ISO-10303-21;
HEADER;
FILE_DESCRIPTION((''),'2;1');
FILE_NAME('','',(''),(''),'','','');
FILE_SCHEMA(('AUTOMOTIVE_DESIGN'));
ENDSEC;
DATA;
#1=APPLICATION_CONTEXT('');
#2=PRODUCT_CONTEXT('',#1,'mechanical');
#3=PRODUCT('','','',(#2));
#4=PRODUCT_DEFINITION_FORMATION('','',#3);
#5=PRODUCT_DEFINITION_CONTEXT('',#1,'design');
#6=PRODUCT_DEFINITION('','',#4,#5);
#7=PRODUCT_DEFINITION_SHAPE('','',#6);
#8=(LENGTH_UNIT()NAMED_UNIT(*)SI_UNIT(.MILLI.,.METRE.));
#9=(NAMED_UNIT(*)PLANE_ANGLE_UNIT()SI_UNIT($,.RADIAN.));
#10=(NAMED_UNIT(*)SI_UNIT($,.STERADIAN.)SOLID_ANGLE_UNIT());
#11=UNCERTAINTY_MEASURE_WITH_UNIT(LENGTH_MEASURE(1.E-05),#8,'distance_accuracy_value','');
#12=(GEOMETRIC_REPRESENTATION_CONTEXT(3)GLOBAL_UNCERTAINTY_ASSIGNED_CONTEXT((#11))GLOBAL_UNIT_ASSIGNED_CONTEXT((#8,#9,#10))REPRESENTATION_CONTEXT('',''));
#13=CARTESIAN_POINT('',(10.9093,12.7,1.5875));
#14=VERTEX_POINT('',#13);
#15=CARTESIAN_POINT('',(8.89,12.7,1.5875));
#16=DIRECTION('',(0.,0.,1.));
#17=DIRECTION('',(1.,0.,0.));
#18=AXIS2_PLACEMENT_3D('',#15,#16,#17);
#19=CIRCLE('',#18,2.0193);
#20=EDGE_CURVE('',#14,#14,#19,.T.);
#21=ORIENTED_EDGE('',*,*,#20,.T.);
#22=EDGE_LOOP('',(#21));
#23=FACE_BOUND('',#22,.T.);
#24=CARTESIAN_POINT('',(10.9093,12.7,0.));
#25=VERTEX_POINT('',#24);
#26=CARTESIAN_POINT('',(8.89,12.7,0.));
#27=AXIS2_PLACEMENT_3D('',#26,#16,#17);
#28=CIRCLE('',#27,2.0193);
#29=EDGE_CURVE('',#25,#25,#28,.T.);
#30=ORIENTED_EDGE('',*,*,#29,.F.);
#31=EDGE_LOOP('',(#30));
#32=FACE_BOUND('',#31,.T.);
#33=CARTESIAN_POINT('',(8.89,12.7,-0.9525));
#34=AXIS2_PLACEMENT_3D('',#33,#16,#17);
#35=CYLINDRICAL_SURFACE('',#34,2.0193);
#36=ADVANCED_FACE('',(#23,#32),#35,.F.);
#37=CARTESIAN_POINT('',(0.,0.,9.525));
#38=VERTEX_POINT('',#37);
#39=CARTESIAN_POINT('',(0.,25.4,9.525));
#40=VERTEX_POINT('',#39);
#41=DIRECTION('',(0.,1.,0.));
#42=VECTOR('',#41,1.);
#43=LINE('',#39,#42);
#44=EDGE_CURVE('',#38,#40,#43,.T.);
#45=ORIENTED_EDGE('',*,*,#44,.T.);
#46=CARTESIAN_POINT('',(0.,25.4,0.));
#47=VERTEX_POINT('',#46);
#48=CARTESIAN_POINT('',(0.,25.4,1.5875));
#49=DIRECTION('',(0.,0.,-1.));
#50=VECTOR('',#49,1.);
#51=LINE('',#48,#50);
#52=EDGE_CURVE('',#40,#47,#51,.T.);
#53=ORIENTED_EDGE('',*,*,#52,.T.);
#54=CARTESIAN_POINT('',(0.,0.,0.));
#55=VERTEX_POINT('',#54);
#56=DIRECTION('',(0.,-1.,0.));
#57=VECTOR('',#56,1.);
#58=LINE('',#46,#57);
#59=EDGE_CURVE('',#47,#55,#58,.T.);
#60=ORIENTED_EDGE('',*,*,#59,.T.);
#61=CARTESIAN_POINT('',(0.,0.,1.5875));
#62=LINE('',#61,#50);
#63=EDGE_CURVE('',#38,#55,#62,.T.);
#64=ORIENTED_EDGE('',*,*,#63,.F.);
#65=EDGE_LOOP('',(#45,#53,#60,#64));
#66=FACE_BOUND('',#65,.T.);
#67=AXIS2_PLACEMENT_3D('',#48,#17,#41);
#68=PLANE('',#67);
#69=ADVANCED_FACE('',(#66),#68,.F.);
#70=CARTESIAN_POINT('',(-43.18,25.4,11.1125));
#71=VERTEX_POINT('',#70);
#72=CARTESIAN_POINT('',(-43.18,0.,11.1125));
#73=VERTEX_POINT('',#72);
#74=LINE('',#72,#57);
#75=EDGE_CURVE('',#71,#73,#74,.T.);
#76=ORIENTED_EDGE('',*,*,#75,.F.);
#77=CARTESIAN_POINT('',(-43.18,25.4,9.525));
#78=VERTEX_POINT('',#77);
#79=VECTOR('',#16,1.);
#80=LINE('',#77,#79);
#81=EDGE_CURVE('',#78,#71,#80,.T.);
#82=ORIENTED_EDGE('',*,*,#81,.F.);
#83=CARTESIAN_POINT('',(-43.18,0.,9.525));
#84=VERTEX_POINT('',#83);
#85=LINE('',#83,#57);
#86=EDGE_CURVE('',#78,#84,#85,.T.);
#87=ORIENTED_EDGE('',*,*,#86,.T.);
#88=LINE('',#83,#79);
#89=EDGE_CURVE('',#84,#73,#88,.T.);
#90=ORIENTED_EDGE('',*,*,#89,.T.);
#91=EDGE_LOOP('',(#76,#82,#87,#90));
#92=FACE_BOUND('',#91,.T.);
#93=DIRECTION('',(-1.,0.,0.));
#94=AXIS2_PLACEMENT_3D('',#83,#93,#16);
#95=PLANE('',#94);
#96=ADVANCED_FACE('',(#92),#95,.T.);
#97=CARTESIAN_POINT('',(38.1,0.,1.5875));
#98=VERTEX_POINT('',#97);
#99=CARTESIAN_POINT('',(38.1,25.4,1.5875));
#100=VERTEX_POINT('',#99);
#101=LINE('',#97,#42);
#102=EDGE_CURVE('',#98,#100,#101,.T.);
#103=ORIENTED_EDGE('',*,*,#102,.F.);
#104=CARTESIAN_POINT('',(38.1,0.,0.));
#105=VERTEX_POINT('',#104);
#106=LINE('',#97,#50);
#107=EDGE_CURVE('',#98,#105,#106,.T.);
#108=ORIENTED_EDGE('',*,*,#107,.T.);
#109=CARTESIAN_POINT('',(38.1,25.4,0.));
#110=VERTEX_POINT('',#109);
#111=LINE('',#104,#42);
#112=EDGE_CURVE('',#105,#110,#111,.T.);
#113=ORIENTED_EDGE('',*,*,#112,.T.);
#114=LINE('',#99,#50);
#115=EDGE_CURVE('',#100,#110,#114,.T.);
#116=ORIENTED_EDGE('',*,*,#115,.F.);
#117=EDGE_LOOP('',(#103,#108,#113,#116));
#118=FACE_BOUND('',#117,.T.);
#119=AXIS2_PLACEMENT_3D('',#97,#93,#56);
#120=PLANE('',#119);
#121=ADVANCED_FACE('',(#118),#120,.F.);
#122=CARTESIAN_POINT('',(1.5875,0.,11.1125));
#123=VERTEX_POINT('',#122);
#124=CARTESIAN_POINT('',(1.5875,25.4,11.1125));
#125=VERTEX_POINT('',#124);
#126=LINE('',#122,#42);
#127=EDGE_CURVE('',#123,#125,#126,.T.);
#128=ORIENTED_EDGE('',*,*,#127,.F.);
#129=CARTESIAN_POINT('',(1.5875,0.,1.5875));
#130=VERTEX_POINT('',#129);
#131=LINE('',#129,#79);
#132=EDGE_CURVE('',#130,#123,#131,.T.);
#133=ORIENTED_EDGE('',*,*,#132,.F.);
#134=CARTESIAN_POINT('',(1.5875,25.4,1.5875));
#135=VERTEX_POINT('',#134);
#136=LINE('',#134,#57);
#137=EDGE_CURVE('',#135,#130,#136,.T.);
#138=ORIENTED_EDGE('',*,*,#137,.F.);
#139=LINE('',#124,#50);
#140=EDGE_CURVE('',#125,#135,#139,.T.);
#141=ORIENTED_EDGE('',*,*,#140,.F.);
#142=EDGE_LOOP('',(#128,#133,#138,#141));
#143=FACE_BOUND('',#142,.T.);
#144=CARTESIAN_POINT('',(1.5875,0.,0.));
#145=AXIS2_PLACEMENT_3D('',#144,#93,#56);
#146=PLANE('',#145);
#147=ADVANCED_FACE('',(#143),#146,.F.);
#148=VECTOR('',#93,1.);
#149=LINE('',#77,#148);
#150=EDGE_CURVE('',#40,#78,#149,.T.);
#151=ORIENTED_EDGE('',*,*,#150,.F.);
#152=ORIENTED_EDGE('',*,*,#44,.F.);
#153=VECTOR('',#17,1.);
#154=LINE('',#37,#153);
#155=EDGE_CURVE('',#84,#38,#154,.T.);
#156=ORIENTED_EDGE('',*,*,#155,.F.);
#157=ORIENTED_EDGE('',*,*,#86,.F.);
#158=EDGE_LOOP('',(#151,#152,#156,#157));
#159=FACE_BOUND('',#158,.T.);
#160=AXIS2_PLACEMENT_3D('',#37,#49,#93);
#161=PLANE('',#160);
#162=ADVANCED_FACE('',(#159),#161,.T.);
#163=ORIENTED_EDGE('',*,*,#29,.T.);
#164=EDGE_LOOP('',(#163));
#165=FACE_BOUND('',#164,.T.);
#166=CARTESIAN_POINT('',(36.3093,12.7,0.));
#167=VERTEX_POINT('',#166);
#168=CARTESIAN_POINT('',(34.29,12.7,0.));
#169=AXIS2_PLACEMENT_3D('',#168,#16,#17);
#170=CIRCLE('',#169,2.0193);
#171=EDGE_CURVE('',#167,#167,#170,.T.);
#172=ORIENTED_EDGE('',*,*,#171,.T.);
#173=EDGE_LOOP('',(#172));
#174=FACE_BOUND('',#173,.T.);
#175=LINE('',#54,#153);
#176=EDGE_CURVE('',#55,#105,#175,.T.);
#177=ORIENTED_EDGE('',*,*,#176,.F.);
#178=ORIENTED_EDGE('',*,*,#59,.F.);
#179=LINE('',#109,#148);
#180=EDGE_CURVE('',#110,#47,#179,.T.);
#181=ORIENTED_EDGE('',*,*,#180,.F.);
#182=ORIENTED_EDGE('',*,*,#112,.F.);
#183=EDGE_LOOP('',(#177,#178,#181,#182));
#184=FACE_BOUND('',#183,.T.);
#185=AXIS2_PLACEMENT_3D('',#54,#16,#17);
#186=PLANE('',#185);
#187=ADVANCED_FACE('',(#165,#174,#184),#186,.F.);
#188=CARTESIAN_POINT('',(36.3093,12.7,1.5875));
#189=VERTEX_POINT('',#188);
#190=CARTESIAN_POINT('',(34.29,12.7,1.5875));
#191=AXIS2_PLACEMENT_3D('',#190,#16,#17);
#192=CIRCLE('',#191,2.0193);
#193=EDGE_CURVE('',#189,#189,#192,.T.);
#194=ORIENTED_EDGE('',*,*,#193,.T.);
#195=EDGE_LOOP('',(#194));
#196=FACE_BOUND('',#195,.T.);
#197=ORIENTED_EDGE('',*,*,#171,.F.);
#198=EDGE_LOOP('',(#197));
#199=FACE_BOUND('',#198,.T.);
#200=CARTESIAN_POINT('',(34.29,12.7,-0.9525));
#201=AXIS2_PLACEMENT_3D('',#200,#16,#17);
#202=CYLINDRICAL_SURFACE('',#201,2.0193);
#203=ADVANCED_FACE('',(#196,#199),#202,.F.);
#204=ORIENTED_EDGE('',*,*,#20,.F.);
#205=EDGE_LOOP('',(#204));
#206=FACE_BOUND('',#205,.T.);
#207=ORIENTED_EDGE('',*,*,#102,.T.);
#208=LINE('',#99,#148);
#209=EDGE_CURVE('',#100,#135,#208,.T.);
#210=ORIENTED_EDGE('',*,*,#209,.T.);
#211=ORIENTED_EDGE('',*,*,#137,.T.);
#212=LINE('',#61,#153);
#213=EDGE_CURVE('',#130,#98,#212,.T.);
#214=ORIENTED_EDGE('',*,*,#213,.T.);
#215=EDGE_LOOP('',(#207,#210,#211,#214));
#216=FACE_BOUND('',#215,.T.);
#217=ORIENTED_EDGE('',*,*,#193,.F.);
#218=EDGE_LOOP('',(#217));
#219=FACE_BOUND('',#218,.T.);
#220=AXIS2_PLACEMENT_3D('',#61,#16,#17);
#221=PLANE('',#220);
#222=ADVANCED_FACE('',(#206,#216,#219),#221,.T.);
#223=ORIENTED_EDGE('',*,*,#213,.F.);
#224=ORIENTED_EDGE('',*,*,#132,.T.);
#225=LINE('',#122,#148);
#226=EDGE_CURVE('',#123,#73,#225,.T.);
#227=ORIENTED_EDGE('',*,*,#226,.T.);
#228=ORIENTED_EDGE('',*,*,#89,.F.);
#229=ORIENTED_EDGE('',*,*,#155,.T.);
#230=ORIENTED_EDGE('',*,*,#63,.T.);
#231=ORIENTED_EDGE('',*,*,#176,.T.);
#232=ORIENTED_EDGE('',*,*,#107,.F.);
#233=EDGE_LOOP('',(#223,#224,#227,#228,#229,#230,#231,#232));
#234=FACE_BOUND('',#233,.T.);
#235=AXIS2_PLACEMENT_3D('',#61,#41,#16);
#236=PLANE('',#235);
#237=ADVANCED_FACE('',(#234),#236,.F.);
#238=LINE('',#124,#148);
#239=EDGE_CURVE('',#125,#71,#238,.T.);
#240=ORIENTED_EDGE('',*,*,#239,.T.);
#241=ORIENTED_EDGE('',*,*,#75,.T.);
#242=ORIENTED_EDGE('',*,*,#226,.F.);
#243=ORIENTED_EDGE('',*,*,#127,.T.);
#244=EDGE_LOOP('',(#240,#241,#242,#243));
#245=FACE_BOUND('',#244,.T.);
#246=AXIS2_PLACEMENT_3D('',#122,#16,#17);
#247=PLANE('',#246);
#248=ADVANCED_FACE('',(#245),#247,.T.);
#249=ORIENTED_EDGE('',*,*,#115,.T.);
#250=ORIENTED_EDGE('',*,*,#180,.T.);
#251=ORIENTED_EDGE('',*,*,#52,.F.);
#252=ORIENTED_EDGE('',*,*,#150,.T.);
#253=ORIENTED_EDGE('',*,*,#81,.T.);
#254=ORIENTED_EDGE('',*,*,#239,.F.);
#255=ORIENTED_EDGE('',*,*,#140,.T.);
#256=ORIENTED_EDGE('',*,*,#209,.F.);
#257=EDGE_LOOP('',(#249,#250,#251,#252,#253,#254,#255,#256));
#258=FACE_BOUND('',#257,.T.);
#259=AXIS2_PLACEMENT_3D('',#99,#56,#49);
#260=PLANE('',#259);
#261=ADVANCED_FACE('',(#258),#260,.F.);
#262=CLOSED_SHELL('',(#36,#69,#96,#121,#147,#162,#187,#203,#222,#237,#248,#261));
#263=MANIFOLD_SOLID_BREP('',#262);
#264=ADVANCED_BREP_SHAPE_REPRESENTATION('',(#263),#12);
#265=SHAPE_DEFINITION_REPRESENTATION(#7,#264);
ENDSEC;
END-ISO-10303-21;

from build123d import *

# Parameters (mm, degrees)
SKETCH1_W           = 38.1
SKETCH1_H           = 25.4
BOSS_EXTRUDE1_DEPTH = 1.5875
SKETCH3_W           = 9.525
SKETCH3_H           = 25.4
BOSS_EXTRUDE2_DEPTH = 1.5875
SKETCH4_W           = 43.18
SKETCH4_H           = 25.4
BOSS_EXTRUDE3_DEPTH = 1.5875
SKETCH2_R           = 2.0193
CUT_EXTRUDE1_DEPTH  = 2.54
LPATTERN1_COUNT     = 2
LPATTERN1_PITCH     = 25.4


with BuildPart() as part:
    # Sketch1 → Boss-Extrude1 (new body)
    with BuildSketch(Plane.XY):
        with Locations((19.05, 12.7)):
            Rectangle(SKETCH1_W, SKETCH1_H)
    extrude(amount=BOSS_EXTRUDE1_DEPTH)

    # Sketch3 → Boss-Extrude2 (add)
    with BuildSketch(Plane.ZY):
        with Locations((6.35, 12.7)):
            Rectangle(SKETCH3_W, SKETCH3_H)
    extrude(amount=-BOSS_EXTRUDE2_DEPTH)

    # Sketch4 → Boss-Extrude3 (add)
    with BuildSketch(Plane.XY.offset(11.1125)):
        with Locations((-21.59, 12.7)):
            Rectangle(SKETCH4_W, SKETCH4_H)
    extrude(amount=-BOSS_EXTRUDE3_DEPTH)

    # Sketch2 → Cut-Extrude1 (cut)
    with BuildSketch(Plane.XY.offset(1.5875)):
        with Locations((34.29, 12.7)):
            Circle(SKETCH2_R)
    cut_extrude1 = extrude(amount=-CUT_EXTRUDE1_DEPTH, mode=Mode.SUBTRACT)

    # LPattern1: Cut-Extrude1 ×2
    with Locations(*[(-i * LPATTERN1_PITCH, 0, 0) for i in range(1, LPATTERN1_COUNT)]):
        add(cut_extrude1, mode=Mode.SUBTRACT)


solid = part.part
